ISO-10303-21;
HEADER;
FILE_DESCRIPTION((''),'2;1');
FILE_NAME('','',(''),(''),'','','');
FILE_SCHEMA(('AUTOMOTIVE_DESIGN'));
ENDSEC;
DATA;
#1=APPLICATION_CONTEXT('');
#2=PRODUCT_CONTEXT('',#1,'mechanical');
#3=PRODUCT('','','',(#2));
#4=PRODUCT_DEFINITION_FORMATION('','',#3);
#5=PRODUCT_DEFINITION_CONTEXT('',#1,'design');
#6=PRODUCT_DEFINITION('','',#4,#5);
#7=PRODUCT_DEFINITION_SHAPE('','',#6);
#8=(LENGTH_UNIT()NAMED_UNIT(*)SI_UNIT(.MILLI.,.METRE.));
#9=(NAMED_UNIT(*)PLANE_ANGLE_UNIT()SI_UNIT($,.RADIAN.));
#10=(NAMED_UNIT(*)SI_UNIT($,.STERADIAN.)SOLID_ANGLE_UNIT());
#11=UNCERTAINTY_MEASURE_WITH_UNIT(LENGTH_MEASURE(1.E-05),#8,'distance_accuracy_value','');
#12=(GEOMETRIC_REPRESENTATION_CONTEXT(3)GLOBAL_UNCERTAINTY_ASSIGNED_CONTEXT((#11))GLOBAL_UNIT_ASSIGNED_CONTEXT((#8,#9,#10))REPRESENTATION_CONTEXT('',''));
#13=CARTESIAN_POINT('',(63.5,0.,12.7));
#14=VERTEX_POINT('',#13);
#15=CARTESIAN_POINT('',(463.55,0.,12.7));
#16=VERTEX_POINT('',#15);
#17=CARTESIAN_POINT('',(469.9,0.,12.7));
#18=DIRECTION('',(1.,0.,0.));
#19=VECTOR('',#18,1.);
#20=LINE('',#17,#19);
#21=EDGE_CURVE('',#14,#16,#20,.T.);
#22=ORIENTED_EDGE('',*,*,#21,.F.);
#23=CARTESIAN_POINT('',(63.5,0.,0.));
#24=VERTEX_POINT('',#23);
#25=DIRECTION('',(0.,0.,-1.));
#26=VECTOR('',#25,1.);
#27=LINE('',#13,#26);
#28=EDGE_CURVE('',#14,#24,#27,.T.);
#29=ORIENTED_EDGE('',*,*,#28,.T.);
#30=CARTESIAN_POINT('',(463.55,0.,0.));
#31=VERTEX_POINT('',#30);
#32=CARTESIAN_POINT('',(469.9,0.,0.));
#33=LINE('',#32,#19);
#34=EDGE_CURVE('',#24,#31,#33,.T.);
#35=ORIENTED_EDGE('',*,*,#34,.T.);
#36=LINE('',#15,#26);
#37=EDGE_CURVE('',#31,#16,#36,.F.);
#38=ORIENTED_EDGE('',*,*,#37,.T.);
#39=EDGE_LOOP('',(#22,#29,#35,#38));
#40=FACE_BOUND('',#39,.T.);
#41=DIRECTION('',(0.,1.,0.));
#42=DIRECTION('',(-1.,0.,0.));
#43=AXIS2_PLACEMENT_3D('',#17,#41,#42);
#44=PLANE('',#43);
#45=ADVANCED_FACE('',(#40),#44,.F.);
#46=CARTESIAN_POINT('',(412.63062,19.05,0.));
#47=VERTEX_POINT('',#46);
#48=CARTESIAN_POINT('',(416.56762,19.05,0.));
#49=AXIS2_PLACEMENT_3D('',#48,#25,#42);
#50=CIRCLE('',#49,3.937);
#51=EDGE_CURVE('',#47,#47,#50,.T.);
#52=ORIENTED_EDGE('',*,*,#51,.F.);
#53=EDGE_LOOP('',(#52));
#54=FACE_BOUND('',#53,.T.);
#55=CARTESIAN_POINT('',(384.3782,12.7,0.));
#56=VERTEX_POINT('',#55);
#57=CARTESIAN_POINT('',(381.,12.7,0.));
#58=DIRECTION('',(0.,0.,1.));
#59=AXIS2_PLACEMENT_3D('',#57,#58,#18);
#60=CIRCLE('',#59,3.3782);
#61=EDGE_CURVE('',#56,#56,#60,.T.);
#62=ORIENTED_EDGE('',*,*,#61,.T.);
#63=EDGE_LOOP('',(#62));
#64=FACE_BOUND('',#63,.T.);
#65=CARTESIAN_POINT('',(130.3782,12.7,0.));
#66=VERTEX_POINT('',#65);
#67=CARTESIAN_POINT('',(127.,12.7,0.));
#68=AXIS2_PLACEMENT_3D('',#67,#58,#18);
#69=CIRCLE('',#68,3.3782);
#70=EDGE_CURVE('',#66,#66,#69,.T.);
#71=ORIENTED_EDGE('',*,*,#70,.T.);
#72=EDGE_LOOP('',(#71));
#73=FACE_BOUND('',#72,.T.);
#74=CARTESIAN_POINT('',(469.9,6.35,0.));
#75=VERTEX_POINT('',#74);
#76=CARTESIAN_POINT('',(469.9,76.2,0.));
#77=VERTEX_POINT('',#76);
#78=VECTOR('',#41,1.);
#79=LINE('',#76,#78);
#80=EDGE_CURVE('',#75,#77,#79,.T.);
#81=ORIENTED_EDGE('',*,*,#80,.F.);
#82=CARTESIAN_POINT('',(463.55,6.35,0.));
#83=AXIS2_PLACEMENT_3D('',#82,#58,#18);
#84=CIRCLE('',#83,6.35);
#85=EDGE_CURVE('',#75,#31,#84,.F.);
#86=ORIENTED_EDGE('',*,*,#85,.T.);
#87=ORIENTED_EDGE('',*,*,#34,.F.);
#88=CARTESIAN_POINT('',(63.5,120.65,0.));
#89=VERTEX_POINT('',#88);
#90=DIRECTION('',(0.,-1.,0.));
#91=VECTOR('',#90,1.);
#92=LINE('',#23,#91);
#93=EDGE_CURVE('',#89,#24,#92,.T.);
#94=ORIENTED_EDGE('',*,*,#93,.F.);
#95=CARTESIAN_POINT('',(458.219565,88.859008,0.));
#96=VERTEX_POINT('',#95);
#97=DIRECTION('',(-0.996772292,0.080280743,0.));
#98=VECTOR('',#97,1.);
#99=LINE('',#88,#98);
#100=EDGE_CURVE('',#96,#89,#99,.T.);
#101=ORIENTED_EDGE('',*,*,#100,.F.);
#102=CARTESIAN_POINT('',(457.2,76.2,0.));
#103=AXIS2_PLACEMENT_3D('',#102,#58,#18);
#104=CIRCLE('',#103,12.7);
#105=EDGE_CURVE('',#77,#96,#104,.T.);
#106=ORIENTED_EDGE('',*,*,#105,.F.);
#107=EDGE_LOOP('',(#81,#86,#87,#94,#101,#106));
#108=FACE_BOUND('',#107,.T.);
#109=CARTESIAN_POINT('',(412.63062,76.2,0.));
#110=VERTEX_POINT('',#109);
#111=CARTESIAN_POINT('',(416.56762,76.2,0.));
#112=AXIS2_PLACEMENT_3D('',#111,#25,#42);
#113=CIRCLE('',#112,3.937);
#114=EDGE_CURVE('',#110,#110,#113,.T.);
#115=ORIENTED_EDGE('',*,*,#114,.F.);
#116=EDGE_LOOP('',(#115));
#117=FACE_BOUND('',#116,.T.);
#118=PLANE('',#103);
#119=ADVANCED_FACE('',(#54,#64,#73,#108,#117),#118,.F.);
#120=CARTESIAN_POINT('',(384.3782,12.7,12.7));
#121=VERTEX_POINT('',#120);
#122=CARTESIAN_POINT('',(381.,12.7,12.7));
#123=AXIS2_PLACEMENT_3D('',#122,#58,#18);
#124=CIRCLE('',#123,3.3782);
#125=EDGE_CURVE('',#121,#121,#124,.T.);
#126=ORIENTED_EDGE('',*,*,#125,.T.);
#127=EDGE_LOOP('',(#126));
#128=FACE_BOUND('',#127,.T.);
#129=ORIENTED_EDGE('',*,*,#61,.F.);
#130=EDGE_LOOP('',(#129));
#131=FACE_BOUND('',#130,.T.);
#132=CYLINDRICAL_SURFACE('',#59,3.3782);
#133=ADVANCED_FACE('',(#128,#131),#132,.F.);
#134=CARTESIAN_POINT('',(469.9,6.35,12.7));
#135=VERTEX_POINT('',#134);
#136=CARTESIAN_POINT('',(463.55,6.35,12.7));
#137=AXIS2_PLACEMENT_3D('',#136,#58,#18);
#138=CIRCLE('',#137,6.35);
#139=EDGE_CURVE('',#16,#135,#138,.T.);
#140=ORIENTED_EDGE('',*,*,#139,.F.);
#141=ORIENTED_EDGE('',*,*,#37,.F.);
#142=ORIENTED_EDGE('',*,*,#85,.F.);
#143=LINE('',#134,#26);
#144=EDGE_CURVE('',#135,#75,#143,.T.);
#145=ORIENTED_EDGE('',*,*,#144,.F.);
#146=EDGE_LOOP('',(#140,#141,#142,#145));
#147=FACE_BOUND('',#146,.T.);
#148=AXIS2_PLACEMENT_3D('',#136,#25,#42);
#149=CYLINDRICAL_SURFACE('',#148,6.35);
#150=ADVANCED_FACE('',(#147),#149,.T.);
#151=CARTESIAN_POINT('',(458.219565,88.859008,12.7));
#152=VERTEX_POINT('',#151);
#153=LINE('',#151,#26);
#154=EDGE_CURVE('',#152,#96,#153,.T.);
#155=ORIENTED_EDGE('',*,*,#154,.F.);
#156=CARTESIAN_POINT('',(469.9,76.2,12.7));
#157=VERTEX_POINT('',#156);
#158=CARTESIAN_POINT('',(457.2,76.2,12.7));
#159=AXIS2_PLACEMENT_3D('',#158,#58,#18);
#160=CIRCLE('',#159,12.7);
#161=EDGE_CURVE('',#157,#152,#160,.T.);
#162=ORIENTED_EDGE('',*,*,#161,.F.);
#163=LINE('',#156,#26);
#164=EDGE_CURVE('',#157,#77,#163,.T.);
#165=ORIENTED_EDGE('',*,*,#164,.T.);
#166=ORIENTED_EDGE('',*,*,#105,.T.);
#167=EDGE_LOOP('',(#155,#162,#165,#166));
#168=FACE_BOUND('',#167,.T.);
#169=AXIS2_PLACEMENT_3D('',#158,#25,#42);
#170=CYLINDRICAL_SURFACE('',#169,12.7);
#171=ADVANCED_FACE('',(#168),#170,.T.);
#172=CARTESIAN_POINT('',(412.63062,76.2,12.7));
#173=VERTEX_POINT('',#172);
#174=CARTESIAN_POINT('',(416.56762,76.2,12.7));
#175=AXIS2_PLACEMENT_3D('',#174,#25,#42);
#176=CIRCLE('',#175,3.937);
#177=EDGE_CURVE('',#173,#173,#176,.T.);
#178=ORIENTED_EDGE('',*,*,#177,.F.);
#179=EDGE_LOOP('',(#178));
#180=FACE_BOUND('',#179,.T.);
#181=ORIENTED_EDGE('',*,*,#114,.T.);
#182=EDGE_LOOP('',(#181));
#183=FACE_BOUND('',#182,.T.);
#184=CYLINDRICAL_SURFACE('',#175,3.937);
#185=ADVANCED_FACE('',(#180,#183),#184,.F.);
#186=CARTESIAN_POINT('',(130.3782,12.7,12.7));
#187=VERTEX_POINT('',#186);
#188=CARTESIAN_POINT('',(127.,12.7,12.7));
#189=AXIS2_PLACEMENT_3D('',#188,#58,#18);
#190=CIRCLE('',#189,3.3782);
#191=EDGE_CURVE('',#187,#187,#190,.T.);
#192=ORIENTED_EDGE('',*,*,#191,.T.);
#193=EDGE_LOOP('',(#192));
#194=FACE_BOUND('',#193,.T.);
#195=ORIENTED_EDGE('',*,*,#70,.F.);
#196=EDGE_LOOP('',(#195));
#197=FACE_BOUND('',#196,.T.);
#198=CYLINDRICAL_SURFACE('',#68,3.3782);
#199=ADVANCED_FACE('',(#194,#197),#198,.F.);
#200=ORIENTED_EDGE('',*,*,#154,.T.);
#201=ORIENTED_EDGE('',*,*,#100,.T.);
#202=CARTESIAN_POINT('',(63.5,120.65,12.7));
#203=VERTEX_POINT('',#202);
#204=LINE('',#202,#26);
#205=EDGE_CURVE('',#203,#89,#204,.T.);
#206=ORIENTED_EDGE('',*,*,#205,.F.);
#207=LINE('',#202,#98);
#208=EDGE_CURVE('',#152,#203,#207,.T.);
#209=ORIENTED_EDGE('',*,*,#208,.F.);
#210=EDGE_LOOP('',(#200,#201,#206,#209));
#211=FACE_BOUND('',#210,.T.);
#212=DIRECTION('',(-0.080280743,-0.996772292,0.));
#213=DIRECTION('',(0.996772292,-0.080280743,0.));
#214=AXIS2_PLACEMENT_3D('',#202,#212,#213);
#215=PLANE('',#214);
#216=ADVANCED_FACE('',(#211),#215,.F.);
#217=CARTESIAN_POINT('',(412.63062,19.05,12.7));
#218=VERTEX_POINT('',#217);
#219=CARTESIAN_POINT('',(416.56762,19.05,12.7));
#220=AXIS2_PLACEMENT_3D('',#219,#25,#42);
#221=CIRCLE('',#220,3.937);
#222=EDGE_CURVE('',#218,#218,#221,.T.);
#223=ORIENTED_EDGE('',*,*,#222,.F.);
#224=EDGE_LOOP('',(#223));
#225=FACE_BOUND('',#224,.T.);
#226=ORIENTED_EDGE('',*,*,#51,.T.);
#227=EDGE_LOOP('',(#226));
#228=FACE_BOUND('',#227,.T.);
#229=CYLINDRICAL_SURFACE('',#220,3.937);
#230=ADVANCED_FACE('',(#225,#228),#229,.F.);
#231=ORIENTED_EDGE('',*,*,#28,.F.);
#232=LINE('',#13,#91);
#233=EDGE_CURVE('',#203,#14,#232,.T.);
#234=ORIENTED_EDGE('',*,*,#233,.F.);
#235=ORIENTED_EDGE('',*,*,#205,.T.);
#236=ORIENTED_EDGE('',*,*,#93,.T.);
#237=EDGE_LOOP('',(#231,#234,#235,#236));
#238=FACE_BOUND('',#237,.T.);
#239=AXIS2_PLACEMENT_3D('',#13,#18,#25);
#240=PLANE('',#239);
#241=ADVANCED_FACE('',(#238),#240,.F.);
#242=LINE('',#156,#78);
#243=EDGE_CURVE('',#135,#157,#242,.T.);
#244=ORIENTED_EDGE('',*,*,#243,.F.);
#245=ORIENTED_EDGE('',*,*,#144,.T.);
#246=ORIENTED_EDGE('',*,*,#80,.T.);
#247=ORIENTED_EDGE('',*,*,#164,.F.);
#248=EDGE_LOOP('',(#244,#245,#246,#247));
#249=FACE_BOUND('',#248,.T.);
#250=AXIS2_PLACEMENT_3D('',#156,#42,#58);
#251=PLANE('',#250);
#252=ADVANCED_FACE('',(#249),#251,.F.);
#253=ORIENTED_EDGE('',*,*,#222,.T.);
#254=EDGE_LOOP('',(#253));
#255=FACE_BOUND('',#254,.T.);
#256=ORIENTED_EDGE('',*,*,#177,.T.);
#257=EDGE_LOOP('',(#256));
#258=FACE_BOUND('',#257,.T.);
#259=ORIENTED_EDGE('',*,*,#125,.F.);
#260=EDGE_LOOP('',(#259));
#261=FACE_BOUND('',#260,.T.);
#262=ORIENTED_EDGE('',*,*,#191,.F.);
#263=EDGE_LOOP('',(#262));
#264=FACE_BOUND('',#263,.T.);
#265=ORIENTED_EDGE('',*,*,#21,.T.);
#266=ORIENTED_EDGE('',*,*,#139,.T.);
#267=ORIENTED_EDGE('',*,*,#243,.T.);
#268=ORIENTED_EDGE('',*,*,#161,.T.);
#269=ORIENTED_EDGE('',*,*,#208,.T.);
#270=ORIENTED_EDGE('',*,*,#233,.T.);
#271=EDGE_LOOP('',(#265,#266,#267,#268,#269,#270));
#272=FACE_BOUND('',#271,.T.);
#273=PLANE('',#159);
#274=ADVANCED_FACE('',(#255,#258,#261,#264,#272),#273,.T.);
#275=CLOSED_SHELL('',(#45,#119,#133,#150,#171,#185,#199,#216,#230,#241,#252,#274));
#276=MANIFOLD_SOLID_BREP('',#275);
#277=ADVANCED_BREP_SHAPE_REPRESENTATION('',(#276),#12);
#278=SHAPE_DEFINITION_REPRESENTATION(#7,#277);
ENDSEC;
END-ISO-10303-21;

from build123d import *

# Parameters (mm, degrees)
BOSS_EXTRUDE1_DEPTH = 12.7
SKETCH2_R           = 3.3782
CUT_EXTRUDE1_DEPTH  = 486.307863629
FILLET1_R           = 6.35
SKETCH4_R           = 3.937
CUT_EXTRUDE2_DEPTH  = 486.307863629


with BuildPart() as part:
    # Sketch1 → Boss-Extrude1 (new body)
    with BuildSketch(Plane.XY):
        with BuildLine():
            Line((63.5, 0), (63.5, 120.65))
            Line((63.5, 120.65), (458.219565432, 88.85900811))
            ThreePointArc((458.219565432, 88.85900811), (466.533768826, 84.812244743), (469.9, 76.2))
            Line((469.9, 76.2), (469.9, 0))
            Line((469.9, 0), (63.5, 0))
        make_face()
    extrude(amount=BOSS_EXTRUDE1_DEPTH)

    # Sketch2 → Cut-Extrude1 (cut, through all)
    with BuildSketch(Plane.XY.offset(12.7)):
        with Locations((127, 12.7)):
            Circle(SKETCH2_R)
        with Locations((381, 12.7)):
            Circle(SKETCH2_R)
    extrude(amount=-CUT_EXTRUDE1_DEPTH, mode=Mode.SUBTRACT)

    # Fillet1
    fillet1_edges = [part.edges().sort_by_distance(p)[0] for p in [
        (469.9, 0, 6.35),
    ]]
    fillet(fillet1_edges, radius=FILLET1_R)

    # Sketch4 → Cut-Extrude2 (cut, through all)
    with BuildSketch(Plane(origin=(0, 0, 0), x_dir=(-1, 0, 0), z_dir=(0, 0, -1))):
        with Locations((-416.56762, 76.2)):
            Circle(SKETCH4_R)
        with Locations((-416.56762, 19.05)):
            Circle(SKETCH4_R)
    extrude(amount=-CUT_EXTRUDE2_DEPTH, mode=Mode.SUBTRACT)


solid = part.part
